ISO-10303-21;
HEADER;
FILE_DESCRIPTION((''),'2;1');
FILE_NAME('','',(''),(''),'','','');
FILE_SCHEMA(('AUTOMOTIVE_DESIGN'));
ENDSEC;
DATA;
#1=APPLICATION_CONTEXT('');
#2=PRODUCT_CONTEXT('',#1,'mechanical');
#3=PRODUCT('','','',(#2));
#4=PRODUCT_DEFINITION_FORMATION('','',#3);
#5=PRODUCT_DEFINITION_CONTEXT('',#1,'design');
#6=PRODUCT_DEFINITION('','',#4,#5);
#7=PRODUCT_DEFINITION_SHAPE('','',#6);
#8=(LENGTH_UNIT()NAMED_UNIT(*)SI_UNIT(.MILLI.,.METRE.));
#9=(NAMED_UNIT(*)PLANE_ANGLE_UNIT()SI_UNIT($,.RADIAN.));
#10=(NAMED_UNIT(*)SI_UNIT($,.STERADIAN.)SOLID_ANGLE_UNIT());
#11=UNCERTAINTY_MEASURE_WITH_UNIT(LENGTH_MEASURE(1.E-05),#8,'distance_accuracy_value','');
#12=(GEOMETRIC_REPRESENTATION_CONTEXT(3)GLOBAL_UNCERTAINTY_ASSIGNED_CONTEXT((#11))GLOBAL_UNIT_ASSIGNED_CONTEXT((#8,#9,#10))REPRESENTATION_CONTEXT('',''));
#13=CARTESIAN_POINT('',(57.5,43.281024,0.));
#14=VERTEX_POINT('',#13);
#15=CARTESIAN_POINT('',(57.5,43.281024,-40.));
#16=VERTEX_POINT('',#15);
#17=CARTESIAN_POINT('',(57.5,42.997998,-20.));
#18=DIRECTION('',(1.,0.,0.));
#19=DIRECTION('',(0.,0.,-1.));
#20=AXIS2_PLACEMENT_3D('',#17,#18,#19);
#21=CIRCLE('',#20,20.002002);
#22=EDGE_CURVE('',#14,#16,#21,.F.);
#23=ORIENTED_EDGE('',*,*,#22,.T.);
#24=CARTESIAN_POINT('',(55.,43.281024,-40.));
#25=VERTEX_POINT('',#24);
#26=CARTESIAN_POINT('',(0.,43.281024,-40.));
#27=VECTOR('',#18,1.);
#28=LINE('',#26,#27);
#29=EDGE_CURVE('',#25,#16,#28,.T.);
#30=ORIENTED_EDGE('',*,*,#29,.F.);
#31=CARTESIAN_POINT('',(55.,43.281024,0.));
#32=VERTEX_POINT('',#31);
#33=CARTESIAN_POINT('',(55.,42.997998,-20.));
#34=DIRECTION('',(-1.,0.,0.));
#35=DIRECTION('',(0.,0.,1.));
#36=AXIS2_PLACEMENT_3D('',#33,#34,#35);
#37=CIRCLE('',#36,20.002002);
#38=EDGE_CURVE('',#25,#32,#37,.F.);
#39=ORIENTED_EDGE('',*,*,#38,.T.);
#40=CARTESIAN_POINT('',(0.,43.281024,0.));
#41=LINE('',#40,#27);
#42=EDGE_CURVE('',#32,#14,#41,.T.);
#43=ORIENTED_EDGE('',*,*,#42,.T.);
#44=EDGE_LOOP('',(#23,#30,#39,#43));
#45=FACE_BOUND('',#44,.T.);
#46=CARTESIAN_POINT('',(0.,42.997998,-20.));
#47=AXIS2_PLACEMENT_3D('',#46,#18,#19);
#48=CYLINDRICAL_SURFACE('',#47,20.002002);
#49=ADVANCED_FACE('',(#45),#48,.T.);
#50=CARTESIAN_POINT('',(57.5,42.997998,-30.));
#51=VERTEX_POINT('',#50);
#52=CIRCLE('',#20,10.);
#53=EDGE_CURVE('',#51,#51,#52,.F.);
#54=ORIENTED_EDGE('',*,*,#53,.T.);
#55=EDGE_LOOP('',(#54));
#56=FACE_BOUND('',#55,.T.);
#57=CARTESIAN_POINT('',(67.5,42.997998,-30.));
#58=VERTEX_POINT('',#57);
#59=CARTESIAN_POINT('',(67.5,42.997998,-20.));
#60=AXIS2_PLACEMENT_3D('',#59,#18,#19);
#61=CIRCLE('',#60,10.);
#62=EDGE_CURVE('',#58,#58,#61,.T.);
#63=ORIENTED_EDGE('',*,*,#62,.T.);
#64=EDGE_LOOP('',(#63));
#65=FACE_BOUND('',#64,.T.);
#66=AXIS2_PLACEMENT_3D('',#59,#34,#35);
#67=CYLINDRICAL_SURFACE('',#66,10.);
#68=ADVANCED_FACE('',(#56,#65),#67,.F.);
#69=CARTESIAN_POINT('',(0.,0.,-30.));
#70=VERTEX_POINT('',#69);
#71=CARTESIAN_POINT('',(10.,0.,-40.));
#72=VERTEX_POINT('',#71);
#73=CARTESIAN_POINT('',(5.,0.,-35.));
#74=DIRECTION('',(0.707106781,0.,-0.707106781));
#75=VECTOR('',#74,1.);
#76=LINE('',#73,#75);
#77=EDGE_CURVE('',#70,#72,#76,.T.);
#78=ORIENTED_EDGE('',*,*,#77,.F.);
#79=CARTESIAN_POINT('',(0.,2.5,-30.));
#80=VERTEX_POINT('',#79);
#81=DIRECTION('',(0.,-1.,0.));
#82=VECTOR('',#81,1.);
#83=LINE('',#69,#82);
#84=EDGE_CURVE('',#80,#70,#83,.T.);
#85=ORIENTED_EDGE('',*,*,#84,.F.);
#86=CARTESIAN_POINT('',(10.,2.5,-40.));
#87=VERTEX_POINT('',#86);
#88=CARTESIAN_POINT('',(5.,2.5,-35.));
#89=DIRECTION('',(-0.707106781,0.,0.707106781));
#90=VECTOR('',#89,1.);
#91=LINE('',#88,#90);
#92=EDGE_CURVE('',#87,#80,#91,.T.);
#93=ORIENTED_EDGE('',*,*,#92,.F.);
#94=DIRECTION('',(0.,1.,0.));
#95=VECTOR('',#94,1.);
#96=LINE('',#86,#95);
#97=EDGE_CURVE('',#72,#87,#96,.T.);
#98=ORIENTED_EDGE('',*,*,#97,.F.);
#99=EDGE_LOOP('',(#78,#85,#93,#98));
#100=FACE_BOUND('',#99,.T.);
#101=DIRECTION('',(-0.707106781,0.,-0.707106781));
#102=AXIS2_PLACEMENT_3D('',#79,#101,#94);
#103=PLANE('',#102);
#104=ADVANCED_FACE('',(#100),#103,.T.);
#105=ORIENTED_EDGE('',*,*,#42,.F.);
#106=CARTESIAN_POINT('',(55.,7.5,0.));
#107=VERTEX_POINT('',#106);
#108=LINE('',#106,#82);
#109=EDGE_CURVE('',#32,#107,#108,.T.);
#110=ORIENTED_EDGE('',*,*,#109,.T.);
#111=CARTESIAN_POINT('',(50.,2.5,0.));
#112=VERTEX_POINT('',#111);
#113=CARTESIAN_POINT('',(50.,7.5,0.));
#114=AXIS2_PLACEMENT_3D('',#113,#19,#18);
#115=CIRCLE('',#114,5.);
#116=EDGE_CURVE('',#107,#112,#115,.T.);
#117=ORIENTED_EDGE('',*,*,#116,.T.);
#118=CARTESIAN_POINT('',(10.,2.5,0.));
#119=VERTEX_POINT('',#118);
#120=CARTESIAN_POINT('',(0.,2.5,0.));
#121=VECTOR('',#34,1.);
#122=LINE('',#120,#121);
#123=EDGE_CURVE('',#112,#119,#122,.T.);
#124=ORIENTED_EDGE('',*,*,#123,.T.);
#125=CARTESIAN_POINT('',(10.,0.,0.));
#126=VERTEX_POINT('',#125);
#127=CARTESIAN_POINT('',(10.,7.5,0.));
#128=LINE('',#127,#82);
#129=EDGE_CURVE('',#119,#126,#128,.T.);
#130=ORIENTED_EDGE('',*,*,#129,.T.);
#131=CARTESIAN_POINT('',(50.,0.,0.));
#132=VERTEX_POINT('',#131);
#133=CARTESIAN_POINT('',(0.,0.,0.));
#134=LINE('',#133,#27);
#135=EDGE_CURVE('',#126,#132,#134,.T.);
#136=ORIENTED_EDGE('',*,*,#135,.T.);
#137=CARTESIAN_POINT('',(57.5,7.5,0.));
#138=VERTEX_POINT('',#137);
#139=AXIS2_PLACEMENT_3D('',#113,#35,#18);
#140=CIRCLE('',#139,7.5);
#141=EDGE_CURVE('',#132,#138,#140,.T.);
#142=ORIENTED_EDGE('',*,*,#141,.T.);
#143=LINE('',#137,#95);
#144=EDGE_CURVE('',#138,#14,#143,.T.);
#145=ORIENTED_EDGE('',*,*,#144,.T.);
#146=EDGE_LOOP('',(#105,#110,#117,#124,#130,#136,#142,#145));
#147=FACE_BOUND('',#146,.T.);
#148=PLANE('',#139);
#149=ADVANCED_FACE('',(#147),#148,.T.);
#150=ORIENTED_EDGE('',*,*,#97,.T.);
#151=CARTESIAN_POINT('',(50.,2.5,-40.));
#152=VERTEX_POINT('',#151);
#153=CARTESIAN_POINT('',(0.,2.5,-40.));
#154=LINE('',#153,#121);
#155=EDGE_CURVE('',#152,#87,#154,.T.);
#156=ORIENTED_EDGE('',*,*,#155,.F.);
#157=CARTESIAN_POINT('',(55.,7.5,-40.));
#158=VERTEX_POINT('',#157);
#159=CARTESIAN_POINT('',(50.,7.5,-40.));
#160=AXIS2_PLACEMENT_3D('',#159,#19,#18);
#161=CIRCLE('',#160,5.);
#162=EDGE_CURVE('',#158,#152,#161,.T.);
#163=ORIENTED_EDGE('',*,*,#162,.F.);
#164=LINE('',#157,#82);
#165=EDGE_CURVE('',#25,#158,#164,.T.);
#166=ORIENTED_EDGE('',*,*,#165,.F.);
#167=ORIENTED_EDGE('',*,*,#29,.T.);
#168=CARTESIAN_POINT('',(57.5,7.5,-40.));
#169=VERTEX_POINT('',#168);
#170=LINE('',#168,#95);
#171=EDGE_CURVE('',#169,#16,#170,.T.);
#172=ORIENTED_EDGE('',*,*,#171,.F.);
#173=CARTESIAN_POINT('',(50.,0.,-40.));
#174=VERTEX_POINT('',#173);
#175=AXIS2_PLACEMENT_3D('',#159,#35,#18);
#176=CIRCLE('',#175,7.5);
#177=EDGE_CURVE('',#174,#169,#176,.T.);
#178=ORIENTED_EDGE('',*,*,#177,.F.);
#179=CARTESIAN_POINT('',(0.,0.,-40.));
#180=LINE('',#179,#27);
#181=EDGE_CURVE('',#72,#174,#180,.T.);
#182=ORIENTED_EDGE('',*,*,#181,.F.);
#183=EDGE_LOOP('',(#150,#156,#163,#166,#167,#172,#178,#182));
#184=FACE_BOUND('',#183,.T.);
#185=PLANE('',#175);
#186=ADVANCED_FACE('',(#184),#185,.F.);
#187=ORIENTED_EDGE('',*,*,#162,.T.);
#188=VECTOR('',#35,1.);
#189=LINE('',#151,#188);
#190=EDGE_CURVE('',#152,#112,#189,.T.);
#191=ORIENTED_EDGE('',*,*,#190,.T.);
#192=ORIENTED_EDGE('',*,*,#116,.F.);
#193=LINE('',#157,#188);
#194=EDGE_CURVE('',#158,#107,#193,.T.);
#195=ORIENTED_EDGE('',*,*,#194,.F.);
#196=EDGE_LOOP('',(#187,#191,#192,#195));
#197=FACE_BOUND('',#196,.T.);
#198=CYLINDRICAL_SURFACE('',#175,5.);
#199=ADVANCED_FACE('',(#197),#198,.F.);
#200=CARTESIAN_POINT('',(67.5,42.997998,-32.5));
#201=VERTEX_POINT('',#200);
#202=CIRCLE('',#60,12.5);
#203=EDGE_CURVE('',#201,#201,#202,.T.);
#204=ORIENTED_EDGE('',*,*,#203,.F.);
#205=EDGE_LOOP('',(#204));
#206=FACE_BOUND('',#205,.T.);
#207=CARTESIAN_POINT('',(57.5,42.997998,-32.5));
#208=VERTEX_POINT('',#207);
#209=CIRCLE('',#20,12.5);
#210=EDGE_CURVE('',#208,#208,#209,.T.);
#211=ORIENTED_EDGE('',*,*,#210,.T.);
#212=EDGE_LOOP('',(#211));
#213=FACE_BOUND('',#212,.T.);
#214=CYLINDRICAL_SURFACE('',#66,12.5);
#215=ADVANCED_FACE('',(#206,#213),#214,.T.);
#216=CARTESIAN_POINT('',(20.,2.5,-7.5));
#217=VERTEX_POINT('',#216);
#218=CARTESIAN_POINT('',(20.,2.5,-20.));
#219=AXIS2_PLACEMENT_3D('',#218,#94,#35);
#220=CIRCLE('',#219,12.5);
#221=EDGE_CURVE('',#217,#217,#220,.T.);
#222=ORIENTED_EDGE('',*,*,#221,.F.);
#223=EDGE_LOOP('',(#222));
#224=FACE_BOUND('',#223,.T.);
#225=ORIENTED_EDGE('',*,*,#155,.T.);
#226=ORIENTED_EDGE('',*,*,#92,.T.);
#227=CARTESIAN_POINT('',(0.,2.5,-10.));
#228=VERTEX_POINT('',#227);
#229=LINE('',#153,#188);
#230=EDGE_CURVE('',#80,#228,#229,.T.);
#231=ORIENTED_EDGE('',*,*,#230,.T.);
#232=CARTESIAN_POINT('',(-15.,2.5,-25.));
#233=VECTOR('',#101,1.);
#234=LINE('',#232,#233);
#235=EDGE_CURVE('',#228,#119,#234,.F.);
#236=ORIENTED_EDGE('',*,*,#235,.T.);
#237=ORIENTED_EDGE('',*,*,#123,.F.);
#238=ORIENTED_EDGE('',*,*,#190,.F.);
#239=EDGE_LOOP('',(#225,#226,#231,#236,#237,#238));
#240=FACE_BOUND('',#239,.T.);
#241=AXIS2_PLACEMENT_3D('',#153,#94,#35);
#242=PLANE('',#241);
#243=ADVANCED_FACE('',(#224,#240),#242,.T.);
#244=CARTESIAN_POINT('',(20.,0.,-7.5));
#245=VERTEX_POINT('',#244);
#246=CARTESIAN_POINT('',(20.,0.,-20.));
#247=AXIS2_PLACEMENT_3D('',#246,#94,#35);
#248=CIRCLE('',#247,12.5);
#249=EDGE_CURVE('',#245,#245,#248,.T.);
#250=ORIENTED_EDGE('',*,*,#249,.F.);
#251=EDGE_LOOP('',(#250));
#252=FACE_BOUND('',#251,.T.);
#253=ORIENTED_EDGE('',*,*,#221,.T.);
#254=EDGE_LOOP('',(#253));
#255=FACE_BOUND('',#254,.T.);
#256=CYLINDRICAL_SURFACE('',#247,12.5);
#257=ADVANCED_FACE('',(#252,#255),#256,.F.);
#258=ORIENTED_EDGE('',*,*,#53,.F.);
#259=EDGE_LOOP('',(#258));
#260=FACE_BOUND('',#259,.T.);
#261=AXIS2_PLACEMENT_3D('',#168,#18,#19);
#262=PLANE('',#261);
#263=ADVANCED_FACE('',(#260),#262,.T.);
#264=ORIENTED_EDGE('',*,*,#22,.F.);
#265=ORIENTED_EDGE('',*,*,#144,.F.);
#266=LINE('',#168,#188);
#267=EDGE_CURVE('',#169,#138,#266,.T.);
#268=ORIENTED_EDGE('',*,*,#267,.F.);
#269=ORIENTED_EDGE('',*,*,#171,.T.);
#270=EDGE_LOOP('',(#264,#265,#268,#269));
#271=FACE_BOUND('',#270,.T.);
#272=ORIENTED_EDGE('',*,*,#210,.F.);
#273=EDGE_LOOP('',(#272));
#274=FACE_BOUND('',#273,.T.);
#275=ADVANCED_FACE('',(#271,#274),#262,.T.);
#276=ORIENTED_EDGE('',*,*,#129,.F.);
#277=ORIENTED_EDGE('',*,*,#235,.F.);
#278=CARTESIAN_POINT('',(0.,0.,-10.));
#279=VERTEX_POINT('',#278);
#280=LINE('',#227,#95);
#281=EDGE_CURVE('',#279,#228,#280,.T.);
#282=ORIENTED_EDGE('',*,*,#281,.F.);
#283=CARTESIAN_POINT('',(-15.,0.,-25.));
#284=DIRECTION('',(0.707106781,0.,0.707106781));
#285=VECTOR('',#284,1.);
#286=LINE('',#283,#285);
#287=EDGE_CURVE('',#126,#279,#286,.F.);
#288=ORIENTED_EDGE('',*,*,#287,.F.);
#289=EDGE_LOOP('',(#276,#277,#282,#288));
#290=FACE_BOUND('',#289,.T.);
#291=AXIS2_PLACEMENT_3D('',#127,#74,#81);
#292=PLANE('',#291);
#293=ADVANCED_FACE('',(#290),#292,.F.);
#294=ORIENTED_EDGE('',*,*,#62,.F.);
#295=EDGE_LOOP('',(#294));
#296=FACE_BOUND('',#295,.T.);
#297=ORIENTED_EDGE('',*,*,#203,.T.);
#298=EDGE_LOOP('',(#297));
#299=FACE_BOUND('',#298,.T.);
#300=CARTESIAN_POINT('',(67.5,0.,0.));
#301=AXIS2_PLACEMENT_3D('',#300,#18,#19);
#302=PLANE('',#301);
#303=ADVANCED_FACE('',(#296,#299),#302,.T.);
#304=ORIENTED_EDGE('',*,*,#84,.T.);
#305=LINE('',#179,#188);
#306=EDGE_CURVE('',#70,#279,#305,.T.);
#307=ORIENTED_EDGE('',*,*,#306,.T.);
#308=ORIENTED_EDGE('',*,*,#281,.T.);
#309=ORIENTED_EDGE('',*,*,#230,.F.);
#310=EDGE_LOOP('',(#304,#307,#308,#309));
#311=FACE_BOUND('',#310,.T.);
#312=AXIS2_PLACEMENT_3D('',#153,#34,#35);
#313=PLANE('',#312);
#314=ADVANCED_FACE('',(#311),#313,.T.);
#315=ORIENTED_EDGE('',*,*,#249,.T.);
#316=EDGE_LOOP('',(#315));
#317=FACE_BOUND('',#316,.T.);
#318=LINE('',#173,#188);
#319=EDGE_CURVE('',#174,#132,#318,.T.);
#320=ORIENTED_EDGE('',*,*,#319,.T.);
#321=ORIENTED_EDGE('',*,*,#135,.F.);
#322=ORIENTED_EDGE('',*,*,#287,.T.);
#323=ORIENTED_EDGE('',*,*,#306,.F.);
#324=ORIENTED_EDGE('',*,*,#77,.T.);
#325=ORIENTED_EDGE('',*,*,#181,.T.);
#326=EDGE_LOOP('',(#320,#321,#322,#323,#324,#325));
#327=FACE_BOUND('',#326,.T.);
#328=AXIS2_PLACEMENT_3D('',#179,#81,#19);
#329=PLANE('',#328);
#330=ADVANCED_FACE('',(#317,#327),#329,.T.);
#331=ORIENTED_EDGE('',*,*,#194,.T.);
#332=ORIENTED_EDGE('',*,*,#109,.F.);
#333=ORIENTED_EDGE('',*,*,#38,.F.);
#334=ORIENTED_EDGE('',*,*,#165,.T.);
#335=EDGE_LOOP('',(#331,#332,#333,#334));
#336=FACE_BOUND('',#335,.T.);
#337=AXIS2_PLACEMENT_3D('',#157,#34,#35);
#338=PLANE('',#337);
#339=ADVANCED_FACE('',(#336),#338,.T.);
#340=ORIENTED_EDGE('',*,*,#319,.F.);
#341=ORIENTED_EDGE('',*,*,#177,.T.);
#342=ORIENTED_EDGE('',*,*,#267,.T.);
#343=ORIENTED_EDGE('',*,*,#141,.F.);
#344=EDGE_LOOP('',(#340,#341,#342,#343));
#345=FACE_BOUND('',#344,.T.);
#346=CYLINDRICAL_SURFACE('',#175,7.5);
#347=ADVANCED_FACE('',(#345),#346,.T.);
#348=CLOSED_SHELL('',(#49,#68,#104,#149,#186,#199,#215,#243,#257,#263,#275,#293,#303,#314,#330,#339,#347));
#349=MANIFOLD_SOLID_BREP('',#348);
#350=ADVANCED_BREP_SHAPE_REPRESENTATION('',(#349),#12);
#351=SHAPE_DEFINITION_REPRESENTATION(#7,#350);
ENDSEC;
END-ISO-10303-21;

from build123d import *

# Parameters (mm, degrees)
BOSS_EXTRUDE1_DEPTH     = 40
CUT_EXTRUDE2_DEPTH      = 95.20854526
SKETCH2_4_R             = 12.5
SKETCH2_4_R_2           = 10
BOSS_EXTRUDE2_DEPTH     = 10
CHAMFER1_SIZE           = 10
CUT_EXTRUDE3_DEPTH      = 100.078251902
CUT_EXTRUDE3_DEPTH_BACK = 100.078251902
SKETCH3_R               = 12.5


with BuildPart() as part:
    # Sketch1 → Boss-Extrude1 (new body)
    with BuildSketch(Plane.XY):
        with BuildLine():
            Line((0, 0), (50, 0))
            ThreePointArc((50, 0), (55.303300859, 2.196699141), (57.5, 7.5))
            Line((57.5, 7.5), (57.5, 63))
            Line((57.5, 63), (55, 63))
            Line((55, 63), (55, 7.5))
            ThreePointArc((55, 7.5), (53.535533906, 3.964466094), (50, 2.5))
            Line((50, 2.5), (0, 2.5))
            Line((0, 2.5), (0, 0))
        make_face()
    extrude(amount=-BOSS_EXTRUDE1_DEPTH)

    # Sketch2 → Cut-Extrude2 (cut, through all)
    with BuildSketch(Plane(origin=(57.5, 0, 0), x_dir=(0, 0, -1), z_dir=(1, 0, 0))):
        with BuildLine():
            Line((0, 63), (0, 43.281023868))
            ThreePointArc((0, 43.281023868), (5.956869832, 57.241262542), (20, 63))
            Line((20, 63), (0, 63))
        make_face()
        with BuildLine():
            Line((40, 63), (20, 63))
            ThreePointArc((20, 63), (34.043130168, 57.241262542), (40, 43.281023868))
            Line((40, 43.281023868), (40, 63))
        make_face()
    extrude(amount=-CUT_EXTRUDE2_DEPTH, mode=Mode.SUBTRACT)

    # Sketch2<4> → Boss-Extrude2 (add)
    with BuildSketch(Plane(origin=(57.5, 0, 0), x_dir=(0, 0, -1), z_dir=(1, 0, 0))):
        with Locations((20, 42.997997502)):
            Circle(SKETCH2_4_R)
        with Locations((20, 42.997997502)):
            Circle(SKETCH2_4_R_2, mode=Mode.SUBTRACT)
    extrude(amount=BOSS_EXTRUDE2_DEPTH)

    # Chamfer1
    chamfer1_edges = [part.edges().sort_by_distance(p)[0] for p in [
        (0, 1.25, -40),
        (0, 1.25, 0),
    ]]
    chamfer(chamfer1_edges, length=CHAMFER1_SIZE)

    # Sketch3 → Cut-Extrude3 (cut, two sides: drawn at the far end of the back side and taken through both)
    with BuildSketch(Plane(origin=(0, 2.5, 0), x_dir=(1, 0, 0), z_dir=(0, 1, 0)).offset(-CUT_EXTRUDE3_DEPTH_BACK)):
        with Locations((20, 20)):
            Circle(SKETCH3_R)
    extrude(amount=CUT_EXTRUDE3_DEPTH + CUT_EXTRUDE3_DEPTH_BACK, mode=Mode.SUBTRACT)


solid = part.part
